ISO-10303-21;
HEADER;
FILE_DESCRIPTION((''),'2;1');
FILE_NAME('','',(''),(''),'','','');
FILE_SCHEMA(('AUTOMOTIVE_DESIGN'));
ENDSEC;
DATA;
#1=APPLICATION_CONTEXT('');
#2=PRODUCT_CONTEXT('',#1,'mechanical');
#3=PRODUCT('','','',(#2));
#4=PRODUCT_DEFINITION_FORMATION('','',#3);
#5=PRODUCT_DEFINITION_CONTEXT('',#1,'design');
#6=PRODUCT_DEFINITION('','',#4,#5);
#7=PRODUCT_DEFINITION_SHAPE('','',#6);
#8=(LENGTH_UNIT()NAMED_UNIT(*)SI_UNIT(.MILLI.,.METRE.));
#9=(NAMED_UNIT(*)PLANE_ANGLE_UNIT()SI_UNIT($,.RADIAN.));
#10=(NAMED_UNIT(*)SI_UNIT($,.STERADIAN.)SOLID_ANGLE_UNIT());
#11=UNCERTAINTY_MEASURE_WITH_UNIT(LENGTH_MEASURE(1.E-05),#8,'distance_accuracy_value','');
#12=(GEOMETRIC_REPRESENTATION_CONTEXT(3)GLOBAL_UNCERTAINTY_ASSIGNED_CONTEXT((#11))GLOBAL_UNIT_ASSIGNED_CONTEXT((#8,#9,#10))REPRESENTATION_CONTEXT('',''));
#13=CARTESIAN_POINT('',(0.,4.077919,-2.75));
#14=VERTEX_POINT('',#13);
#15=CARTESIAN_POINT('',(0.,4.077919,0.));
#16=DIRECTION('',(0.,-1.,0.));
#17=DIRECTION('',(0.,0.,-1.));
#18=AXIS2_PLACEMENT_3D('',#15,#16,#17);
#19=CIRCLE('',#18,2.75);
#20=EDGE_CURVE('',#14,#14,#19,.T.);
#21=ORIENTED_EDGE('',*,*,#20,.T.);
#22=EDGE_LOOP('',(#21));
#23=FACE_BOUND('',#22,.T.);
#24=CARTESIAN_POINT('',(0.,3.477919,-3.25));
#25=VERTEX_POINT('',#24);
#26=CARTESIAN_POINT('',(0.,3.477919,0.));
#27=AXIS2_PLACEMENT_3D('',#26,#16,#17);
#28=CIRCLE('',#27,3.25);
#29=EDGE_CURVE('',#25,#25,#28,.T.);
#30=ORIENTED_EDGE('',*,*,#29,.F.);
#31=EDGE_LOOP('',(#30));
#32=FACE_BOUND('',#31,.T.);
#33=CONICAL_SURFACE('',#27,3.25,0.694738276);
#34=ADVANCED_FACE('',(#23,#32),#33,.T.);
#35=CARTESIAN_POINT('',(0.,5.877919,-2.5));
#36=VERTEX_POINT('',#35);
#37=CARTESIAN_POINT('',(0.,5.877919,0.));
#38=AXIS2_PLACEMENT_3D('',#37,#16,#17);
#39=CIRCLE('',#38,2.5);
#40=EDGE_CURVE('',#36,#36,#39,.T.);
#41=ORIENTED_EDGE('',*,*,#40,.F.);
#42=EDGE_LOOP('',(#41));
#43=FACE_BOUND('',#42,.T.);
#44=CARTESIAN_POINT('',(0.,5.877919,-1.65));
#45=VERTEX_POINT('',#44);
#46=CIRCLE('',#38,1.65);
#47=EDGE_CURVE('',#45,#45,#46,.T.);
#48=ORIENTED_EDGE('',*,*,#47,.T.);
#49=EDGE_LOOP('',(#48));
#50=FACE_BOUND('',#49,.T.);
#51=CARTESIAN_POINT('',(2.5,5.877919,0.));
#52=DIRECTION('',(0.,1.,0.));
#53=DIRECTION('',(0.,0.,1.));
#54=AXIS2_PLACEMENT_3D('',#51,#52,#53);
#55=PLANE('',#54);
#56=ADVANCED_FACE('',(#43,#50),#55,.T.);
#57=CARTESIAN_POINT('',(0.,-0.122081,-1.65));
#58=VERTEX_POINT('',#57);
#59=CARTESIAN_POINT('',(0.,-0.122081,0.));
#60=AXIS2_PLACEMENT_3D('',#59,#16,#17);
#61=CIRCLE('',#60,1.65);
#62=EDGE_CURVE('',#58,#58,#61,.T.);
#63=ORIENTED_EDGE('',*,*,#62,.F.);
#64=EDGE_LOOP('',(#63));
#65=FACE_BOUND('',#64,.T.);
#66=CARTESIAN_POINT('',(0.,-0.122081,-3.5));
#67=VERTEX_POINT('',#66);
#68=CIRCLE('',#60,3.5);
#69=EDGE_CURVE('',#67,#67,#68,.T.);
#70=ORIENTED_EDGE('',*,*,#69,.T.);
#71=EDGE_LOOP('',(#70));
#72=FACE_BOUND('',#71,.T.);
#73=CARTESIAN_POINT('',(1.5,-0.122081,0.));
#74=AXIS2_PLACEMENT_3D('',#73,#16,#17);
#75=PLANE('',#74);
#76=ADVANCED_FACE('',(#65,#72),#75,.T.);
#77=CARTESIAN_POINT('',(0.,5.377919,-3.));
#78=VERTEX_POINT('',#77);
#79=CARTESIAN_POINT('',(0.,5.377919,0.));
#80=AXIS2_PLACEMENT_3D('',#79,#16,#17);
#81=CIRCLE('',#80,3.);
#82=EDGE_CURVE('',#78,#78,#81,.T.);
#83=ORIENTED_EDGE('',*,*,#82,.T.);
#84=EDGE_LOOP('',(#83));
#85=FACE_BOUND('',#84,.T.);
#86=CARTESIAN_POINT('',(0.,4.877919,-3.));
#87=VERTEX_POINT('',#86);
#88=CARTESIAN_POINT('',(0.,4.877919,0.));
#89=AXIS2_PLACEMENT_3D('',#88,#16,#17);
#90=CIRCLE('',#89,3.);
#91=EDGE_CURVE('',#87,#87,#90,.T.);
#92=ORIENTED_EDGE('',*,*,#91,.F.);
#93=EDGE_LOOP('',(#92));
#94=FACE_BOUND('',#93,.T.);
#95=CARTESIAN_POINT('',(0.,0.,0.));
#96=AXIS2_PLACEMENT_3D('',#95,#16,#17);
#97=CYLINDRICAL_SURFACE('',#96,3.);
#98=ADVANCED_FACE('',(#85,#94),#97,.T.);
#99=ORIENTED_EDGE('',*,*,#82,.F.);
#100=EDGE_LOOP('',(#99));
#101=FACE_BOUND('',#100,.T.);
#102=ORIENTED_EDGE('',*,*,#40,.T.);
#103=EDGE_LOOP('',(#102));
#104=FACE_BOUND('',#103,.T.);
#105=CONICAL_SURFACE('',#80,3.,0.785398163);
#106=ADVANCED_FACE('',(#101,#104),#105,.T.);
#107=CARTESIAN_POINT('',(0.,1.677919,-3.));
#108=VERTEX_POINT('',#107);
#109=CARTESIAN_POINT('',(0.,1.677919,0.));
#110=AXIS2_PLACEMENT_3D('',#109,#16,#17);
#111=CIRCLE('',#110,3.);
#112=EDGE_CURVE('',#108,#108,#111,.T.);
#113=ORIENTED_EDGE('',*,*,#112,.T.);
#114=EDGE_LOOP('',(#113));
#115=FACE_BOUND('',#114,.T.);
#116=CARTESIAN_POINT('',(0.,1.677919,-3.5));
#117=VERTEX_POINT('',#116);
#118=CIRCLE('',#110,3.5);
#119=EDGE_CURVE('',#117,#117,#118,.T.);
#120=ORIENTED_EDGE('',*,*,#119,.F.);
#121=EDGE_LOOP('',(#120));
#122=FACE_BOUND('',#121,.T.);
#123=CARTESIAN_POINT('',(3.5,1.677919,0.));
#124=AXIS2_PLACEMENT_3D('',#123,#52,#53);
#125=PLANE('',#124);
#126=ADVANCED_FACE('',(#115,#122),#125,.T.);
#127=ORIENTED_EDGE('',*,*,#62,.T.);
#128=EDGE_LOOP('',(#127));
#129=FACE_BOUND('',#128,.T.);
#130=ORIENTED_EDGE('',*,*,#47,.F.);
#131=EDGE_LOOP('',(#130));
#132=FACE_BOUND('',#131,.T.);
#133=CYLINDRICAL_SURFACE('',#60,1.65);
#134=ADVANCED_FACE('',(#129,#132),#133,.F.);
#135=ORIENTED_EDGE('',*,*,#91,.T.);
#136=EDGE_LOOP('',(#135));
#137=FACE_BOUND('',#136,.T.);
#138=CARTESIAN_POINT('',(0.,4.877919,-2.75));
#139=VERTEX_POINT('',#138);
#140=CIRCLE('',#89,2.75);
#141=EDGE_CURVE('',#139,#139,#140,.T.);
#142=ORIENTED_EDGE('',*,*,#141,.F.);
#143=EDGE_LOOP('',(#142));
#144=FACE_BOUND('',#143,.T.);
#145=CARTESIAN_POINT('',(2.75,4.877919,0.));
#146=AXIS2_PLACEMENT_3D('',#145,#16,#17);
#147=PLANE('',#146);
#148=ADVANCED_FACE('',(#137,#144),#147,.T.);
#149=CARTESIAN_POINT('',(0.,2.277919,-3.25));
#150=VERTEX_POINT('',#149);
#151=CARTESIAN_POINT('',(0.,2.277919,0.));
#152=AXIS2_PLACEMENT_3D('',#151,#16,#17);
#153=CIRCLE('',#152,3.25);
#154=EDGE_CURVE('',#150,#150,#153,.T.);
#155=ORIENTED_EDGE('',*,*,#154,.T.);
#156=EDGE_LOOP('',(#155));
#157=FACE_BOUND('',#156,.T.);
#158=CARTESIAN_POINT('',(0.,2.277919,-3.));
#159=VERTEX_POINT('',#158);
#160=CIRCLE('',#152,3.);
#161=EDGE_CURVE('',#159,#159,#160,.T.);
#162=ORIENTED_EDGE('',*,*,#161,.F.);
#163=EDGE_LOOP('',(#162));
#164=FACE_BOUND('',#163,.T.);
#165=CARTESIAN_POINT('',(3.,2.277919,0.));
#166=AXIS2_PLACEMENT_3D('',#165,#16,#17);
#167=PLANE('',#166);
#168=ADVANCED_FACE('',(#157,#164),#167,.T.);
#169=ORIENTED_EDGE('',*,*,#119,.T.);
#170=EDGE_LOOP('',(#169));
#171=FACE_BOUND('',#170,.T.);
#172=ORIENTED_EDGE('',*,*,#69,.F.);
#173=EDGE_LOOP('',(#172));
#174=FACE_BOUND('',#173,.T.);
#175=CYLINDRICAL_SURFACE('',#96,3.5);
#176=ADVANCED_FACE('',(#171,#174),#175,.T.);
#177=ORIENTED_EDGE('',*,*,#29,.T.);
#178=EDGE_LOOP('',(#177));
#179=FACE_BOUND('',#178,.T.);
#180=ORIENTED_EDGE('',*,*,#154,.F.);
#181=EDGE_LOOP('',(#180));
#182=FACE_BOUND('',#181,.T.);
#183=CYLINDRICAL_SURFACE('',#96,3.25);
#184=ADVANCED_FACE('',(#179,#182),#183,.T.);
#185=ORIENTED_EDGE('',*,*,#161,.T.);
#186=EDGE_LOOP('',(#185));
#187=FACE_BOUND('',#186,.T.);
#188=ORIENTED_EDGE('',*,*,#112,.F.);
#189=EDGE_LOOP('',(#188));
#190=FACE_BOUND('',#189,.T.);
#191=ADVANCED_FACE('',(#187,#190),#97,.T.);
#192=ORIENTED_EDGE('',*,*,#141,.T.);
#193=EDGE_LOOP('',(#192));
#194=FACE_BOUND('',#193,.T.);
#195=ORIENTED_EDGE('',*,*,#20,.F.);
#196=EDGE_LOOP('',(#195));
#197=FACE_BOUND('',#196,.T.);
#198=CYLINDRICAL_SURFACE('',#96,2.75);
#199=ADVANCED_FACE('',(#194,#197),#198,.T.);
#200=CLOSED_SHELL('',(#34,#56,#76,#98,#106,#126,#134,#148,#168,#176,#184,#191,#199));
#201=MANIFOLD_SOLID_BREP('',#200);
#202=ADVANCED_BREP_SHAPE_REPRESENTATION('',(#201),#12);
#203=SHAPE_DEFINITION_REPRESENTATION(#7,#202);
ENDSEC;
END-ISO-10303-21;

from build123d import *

# Parameters (mm, degrees)
HOLE_WIZARD_M41_D = 3.3


with BuildPart() as part:
    # Эскиз2 → Повернуть1 (revolve)
    with BuildSketch(Plane.XY, mode=Mode.PRIVATE) as revolve_1_sk:
        Polygon((1.5, -0.122080905), (3.5, -0.122080905), (3.5, 1.677919095), (3, 1.677919095), (3, 2.277919095), (3.25, 2.277919095), (3.25, 3.477919095), (2.75, 4.077919095), (2.75, 4.877919095), (3, 4.877919095), (3, 5.377919095), (2.5, 5.877919095), (1.5, 5.877919095), align=None)
    revolve(revolve_1_sk.sketch.rotate(Axis((0, 0, 0), (0, 1, 0)), 90), axis=Axis((0, 0, 0), (0, 1, 0)))

    # Отверстие обработанное метчиком M41 (through all)
    with Locations(Plane(origin=(0, -0.122080905, 0), x_dir=(-1, 0, 0), z_dir=(0, -1, 0))):
        with Locations((0, 0)):
            Hole(HOLE_WIZARD_M41_D / 2)


solid = part.part
